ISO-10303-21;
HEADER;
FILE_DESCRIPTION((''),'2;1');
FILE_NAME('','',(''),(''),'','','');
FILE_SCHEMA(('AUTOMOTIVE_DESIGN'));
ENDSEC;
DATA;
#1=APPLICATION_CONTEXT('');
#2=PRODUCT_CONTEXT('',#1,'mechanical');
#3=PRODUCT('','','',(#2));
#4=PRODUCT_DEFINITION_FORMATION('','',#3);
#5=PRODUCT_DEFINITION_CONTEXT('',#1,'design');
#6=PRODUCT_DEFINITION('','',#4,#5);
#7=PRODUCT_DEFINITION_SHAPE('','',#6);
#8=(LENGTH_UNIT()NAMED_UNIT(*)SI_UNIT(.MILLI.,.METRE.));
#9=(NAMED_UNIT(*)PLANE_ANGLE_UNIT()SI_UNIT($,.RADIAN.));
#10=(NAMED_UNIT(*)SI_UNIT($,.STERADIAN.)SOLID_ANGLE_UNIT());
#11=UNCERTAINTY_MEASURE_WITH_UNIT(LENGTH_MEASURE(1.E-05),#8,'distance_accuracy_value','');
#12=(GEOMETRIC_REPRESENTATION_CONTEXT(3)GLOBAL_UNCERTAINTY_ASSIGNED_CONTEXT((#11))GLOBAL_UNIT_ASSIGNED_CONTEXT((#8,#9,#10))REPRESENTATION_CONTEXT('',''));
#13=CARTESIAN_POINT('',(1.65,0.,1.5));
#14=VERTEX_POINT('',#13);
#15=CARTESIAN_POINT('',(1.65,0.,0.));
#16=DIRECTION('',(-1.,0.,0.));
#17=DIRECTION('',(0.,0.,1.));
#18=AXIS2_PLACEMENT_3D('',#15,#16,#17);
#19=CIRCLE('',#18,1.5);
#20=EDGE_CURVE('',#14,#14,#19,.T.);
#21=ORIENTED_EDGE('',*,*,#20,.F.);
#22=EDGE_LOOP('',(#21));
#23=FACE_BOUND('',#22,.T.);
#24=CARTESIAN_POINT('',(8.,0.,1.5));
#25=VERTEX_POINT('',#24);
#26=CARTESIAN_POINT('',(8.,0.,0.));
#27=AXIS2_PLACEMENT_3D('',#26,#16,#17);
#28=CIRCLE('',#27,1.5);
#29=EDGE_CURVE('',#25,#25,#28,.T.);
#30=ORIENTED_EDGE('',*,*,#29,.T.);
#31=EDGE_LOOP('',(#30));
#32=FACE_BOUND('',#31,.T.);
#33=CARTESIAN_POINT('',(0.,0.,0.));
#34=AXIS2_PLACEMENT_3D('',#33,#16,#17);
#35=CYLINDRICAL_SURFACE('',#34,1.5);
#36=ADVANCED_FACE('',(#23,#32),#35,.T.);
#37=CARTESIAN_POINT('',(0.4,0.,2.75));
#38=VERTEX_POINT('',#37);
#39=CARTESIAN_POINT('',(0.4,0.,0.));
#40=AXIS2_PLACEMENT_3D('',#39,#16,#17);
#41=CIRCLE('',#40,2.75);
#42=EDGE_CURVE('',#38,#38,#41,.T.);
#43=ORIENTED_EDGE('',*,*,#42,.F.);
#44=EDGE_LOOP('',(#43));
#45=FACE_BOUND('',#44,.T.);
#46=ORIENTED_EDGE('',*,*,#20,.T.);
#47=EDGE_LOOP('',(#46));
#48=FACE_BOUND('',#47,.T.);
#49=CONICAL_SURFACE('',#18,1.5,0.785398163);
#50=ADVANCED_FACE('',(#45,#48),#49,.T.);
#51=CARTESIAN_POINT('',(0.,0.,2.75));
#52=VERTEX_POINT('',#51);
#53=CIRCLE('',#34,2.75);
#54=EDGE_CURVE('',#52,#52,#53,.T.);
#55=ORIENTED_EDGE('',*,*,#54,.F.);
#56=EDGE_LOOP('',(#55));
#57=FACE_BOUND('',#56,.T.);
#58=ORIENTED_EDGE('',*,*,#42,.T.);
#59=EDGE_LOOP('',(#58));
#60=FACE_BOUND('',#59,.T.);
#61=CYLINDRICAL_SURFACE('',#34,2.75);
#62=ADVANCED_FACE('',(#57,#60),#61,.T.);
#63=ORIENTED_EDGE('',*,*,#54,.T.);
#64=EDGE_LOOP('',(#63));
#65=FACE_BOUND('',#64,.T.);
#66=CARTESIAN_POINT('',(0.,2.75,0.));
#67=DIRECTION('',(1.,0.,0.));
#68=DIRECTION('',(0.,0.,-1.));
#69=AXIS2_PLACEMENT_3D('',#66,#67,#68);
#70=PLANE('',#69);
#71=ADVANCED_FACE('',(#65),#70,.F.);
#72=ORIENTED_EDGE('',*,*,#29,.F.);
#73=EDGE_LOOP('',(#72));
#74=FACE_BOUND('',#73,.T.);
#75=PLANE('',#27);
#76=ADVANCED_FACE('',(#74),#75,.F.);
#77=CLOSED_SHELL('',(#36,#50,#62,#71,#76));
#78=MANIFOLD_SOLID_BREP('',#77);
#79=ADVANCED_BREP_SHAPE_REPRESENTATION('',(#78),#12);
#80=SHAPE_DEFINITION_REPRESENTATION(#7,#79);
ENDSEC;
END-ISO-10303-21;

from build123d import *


with BuildPart() as part:
    # Esquisse1 → Révolution1 (revolve)
    with BuildSketch(Plane.XY, mode=Mode.PRIVATE) as r_volution1_sk:
        Polygon((0, 0), (8, 0), (8, 1.5), (1.65, 1.5), (0.4, 2.75), (0, 2.75), align=None)
    revolve(r_volution1_sk.sketch.rotate(Axis((0, 0, 0), (1, 0, 0)), 90), axis=Axis((0, 0, 0), (1, 0, 0)))


solid = part.part
